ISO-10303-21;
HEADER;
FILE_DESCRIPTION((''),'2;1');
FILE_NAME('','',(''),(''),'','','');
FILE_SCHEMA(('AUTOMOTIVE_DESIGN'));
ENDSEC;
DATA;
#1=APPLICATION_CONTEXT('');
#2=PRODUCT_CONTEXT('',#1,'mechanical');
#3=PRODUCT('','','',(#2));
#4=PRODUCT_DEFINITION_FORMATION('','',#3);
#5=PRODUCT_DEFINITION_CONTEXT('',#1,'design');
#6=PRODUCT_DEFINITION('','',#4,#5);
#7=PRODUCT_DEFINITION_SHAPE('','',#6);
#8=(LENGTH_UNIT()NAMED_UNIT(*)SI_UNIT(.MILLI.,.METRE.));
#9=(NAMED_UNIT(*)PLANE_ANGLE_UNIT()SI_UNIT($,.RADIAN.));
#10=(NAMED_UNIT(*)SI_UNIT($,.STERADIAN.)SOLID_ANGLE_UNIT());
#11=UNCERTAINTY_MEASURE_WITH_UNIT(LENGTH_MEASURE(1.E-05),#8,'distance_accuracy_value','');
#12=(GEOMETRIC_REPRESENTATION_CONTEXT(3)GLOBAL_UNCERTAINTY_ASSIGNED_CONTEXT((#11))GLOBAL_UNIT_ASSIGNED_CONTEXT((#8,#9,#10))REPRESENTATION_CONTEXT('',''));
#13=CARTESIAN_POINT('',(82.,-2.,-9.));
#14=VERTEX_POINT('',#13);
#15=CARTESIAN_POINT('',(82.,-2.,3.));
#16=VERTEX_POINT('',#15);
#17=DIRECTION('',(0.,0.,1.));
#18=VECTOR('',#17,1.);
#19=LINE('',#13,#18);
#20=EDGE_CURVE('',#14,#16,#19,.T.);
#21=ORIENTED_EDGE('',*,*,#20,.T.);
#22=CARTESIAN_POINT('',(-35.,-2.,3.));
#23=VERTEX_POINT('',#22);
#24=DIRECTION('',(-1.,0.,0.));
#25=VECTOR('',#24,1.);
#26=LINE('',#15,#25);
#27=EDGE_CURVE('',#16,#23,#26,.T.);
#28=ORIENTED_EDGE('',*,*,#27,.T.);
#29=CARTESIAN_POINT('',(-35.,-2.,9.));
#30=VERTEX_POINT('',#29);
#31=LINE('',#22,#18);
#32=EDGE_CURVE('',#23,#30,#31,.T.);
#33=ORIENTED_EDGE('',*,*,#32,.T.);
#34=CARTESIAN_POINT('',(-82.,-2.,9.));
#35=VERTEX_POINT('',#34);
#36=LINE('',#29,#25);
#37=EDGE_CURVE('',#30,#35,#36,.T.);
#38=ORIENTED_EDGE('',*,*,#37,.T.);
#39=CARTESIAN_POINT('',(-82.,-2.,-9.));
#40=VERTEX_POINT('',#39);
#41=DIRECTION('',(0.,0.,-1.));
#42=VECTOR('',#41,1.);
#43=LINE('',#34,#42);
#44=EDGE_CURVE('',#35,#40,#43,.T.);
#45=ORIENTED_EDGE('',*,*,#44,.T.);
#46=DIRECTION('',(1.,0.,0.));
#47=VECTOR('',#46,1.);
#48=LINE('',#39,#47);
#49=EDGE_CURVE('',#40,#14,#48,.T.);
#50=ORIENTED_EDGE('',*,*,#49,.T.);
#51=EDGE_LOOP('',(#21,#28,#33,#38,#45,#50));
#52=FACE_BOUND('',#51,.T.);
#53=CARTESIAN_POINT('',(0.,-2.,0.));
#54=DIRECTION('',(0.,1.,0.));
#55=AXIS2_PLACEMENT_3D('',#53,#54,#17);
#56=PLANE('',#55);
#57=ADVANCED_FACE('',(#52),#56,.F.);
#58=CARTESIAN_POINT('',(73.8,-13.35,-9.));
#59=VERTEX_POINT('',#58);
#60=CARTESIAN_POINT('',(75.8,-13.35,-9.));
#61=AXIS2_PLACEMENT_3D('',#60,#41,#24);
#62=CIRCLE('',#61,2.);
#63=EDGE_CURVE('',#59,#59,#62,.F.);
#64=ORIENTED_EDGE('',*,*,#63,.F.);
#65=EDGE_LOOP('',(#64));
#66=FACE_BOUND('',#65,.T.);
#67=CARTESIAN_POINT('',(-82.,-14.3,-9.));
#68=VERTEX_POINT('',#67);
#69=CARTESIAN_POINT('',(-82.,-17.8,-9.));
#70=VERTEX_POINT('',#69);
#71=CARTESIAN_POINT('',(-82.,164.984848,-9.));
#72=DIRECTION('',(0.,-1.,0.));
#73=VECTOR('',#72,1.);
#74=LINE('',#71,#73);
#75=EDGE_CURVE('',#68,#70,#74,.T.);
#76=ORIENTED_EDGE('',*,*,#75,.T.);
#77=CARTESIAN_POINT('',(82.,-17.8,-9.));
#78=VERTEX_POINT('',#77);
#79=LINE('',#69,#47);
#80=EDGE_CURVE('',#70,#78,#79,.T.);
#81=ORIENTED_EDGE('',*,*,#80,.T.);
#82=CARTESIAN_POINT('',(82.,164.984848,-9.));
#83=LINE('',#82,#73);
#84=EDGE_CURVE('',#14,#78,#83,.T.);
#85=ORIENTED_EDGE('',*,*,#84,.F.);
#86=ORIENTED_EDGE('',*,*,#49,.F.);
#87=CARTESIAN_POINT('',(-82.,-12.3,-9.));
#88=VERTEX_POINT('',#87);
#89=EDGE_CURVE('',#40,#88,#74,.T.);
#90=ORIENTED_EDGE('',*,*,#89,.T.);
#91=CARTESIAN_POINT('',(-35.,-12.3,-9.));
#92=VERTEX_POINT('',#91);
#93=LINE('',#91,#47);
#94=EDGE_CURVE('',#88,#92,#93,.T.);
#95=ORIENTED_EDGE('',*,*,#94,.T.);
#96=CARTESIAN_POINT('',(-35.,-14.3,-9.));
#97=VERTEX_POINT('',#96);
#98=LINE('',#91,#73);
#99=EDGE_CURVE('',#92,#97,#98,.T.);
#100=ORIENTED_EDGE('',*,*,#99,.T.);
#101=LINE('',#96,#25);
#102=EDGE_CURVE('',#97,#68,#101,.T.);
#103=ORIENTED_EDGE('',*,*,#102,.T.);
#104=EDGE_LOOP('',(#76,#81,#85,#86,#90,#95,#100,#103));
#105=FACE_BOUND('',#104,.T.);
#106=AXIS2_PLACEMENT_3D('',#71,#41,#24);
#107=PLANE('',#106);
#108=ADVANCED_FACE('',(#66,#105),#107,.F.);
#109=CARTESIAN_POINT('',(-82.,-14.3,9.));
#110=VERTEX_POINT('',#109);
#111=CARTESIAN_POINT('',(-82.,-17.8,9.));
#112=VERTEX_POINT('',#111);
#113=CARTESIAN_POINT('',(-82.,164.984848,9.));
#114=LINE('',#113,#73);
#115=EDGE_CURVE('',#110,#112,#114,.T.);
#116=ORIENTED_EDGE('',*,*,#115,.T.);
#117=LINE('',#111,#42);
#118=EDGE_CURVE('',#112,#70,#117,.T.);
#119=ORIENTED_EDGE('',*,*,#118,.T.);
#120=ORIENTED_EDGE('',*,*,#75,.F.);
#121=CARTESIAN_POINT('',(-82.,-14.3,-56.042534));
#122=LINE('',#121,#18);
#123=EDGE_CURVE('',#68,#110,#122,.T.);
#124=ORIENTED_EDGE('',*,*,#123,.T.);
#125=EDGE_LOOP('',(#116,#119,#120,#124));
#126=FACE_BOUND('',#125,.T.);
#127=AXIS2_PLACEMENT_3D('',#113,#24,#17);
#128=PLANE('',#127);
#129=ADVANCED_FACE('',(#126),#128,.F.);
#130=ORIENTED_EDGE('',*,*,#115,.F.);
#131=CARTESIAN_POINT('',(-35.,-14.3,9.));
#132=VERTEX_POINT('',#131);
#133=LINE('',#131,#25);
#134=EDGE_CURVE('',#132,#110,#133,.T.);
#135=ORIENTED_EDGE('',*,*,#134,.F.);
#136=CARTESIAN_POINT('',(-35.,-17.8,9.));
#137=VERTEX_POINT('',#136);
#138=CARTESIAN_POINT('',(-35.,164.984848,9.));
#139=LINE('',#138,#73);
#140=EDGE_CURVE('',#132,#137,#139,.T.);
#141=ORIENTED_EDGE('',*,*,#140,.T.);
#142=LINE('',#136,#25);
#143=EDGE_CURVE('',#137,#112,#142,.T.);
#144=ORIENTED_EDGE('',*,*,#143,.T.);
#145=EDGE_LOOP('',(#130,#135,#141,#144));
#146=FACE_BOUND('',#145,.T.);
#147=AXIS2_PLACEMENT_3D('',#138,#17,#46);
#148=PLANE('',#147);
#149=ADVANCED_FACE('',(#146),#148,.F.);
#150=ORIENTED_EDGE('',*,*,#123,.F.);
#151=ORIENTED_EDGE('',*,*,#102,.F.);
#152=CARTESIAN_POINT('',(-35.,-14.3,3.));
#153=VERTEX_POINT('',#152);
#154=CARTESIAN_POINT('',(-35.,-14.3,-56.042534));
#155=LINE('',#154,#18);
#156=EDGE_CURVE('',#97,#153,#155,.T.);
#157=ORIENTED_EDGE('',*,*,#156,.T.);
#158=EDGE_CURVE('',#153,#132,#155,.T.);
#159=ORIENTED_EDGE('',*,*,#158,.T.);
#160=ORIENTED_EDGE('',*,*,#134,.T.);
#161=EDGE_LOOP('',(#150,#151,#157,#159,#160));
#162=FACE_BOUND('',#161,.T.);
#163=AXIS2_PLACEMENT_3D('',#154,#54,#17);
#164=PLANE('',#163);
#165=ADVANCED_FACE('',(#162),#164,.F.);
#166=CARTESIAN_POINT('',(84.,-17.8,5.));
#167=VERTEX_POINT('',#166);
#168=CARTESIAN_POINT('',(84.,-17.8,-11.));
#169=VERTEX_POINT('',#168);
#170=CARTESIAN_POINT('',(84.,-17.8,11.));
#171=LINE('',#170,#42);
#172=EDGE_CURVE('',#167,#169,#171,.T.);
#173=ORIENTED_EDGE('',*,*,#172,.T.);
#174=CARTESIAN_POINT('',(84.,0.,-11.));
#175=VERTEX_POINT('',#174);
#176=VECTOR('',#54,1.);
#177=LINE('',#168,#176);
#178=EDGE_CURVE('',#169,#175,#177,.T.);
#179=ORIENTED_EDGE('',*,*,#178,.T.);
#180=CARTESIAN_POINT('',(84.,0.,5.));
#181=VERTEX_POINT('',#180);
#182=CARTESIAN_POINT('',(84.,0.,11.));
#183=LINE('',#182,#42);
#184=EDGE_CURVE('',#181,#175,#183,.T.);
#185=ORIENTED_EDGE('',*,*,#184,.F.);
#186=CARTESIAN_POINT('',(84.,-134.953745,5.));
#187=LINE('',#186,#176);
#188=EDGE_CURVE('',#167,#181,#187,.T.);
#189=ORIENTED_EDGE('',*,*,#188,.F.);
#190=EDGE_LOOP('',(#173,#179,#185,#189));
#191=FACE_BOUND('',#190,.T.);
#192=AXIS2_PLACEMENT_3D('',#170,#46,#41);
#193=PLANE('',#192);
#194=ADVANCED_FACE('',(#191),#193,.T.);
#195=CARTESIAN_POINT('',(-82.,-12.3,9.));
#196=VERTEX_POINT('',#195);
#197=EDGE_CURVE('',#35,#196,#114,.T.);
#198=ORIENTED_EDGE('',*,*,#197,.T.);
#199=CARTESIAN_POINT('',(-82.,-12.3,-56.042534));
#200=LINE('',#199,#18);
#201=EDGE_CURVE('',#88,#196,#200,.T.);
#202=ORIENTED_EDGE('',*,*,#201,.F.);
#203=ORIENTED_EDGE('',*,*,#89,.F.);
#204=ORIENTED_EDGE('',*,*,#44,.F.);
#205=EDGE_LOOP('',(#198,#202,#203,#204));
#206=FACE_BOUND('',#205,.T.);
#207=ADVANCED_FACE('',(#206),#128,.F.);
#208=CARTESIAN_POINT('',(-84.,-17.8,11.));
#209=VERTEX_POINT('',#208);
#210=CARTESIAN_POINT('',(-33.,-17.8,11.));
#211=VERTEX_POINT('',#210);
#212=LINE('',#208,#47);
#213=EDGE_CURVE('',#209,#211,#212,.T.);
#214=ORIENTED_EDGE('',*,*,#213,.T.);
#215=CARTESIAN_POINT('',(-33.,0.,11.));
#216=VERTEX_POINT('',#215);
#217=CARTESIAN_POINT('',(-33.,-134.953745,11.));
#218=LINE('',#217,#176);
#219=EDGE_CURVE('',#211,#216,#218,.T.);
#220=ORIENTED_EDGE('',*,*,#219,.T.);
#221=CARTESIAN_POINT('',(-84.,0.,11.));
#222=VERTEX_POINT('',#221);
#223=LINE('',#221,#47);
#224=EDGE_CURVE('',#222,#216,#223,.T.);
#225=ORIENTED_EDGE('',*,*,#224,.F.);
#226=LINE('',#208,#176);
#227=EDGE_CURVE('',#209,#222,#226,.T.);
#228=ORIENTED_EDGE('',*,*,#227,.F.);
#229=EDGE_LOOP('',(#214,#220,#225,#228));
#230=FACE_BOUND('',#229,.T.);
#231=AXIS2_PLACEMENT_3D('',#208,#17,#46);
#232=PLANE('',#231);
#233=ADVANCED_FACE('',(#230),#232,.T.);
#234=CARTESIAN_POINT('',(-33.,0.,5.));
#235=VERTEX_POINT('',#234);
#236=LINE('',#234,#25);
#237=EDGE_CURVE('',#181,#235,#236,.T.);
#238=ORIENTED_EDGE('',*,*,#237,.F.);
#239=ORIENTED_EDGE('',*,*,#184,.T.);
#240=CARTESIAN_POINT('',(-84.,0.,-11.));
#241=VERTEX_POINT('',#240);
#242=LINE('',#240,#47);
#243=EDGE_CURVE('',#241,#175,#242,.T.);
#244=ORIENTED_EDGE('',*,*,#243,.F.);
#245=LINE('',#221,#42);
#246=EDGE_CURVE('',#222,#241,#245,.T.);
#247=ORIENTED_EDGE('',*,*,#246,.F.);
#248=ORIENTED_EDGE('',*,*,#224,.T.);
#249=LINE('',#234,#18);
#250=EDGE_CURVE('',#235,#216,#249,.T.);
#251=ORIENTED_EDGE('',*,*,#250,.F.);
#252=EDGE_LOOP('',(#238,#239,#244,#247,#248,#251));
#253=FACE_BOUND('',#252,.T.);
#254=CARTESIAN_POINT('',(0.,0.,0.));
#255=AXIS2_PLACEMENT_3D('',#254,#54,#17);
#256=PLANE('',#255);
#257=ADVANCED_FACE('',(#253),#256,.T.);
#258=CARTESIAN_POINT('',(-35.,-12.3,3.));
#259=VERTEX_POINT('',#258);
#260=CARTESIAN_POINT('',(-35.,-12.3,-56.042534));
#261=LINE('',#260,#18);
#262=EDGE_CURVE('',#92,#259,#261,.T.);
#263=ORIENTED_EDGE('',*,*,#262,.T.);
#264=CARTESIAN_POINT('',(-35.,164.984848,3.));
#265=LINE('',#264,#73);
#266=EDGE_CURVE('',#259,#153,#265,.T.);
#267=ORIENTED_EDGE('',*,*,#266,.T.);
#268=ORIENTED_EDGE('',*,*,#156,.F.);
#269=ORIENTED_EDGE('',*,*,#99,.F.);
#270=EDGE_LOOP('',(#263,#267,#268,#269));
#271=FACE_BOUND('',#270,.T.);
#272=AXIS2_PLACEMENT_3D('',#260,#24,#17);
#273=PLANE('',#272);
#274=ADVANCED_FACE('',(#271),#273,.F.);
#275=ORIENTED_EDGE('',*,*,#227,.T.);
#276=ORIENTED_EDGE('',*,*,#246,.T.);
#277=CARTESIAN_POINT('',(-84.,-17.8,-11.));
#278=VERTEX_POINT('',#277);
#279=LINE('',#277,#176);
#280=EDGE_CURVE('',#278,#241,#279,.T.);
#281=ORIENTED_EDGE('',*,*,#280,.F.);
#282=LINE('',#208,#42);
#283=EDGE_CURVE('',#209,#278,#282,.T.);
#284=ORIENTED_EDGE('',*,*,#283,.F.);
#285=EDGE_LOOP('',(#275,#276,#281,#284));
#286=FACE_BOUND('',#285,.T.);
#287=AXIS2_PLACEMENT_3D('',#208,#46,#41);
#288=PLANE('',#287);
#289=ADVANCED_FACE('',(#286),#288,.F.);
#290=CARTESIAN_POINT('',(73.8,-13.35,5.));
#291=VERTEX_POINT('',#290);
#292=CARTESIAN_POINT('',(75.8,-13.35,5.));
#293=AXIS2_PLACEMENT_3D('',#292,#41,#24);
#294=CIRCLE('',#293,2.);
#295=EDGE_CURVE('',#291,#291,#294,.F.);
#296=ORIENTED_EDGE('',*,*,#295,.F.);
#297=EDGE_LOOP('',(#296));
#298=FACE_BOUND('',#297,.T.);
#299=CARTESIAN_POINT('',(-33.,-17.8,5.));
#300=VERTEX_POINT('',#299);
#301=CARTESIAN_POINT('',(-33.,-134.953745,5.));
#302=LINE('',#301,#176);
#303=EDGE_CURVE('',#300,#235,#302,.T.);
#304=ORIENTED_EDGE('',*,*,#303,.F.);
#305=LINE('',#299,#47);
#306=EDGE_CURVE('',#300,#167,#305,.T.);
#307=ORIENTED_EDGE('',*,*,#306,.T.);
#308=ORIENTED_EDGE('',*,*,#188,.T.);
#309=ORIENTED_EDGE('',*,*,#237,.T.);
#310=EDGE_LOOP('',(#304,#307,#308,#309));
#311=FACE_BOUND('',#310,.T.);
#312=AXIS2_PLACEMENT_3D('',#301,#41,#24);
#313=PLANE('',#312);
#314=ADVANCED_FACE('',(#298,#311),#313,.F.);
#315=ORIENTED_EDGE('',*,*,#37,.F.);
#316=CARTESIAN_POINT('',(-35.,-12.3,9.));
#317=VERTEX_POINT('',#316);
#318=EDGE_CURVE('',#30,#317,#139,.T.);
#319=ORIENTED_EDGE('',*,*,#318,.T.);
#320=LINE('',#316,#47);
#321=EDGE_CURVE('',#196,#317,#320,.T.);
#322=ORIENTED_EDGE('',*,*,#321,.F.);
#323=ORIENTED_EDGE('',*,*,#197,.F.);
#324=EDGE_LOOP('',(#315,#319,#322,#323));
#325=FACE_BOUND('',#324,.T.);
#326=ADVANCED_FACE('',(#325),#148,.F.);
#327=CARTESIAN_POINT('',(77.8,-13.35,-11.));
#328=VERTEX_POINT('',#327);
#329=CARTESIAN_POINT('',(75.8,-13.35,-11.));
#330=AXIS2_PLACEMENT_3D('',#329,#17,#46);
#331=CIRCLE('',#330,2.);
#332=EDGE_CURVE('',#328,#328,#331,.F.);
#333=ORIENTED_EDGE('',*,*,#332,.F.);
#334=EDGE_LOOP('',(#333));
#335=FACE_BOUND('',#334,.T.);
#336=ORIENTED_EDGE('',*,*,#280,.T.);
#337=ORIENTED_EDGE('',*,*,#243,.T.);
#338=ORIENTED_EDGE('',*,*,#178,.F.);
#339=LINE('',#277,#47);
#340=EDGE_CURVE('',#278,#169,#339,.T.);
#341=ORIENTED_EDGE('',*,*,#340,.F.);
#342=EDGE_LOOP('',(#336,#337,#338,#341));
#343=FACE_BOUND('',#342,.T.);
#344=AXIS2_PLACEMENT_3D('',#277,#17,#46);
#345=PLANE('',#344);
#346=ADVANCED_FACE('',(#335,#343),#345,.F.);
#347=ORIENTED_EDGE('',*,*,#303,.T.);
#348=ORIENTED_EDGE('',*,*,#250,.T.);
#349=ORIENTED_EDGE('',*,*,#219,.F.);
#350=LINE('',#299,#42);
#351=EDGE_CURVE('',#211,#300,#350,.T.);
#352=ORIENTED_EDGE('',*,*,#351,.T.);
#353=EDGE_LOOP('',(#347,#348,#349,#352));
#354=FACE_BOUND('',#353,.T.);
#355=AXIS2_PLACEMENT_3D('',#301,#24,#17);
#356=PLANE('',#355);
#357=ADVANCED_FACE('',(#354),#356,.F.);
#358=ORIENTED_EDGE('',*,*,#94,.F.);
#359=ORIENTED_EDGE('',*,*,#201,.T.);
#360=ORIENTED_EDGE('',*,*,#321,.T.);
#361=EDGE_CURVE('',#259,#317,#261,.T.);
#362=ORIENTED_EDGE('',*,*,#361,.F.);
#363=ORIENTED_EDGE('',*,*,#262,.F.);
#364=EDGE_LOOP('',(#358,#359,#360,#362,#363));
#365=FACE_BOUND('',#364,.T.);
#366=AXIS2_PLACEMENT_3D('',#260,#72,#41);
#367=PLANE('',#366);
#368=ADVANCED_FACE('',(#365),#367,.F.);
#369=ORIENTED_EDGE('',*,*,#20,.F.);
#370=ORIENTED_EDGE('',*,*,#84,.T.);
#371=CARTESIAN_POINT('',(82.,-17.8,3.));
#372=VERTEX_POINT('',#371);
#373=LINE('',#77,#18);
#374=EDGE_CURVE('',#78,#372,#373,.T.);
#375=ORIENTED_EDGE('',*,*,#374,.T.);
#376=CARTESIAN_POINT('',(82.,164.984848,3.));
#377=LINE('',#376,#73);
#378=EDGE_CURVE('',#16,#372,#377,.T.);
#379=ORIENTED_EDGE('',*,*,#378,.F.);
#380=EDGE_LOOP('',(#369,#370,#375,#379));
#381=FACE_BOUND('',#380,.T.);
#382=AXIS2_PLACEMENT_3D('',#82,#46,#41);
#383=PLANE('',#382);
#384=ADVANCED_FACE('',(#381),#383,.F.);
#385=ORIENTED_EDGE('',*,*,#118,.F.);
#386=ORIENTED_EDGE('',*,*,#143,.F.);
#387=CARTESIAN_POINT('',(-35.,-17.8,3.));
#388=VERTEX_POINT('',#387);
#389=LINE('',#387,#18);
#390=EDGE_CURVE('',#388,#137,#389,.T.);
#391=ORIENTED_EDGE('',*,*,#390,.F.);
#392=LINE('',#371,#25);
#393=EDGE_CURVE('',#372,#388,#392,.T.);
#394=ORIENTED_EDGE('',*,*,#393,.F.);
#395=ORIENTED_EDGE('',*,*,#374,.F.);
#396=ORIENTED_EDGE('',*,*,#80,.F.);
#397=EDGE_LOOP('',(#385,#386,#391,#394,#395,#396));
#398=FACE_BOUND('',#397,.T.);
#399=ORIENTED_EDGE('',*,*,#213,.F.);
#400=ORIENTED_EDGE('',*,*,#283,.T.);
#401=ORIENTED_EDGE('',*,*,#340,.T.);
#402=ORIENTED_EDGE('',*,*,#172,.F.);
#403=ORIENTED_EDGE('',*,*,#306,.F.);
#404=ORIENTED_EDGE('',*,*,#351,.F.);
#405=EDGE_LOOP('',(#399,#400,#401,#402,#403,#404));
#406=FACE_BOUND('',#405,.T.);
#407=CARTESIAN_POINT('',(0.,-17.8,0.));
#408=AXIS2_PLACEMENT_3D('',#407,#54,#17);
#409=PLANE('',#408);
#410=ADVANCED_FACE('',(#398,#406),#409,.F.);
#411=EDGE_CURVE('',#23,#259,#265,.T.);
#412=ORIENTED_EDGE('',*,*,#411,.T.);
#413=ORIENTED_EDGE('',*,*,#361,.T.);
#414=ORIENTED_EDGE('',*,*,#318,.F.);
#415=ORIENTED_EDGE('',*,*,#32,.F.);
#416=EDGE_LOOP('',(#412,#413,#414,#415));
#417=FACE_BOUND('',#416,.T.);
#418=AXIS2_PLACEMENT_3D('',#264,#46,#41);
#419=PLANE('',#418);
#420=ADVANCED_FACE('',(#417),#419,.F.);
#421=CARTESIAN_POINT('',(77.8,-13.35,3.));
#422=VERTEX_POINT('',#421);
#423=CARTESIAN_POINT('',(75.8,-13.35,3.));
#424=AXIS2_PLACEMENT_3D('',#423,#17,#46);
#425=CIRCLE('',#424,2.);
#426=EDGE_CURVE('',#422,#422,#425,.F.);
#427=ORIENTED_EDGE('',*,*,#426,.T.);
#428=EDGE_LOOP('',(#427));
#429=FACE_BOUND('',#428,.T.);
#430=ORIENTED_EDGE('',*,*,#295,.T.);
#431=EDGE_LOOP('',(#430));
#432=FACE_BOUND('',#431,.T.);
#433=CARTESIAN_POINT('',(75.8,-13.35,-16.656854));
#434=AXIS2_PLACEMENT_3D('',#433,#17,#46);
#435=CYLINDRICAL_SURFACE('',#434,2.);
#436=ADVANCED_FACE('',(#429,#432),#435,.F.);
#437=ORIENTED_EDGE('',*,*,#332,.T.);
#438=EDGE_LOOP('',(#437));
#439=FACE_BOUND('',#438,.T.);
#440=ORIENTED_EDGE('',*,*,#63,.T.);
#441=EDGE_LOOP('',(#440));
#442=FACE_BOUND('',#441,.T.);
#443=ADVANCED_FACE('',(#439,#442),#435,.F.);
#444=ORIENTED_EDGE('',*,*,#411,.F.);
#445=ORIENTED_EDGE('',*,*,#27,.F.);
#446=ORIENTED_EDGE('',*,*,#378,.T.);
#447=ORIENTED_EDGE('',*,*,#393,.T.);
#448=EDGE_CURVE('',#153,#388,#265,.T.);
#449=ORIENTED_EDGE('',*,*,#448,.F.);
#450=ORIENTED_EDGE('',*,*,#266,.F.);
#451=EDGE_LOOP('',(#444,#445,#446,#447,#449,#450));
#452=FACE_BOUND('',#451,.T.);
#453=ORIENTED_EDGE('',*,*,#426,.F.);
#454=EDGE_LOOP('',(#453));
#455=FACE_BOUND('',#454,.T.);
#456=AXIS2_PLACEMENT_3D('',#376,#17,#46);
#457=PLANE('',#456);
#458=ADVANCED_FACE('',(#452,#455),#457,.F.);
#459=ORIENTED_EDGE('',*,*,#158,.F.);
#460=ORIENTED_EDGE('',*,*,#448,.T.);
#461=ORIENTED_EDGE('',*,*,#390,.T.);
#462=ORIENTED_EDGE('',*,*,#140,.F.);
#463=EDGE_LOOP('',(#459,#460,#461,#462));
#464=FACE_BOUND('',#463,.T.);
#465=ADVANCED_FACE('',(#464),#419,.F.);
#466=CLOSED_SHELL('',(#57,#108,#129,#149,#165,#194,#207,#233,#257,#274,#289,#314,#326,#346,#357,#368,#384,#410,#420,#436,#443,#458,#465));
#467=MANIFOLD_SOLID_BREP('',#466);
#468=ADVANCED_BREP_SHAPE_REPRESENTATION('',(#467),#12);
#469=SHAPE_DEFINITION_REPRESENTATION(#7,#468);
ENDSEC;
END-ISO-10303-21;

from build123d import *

# Parameters (mm, degrees)
SKETCH1_W           = 168
SKETCH1_H           = 22
BOSS_EXTRUDE1_DEPTH = 17.8
SKETCH8_R           = 2
CUT_EXTRUDE4_DEPTH  = 22
CUT_EXTRUDE2_REACH  = 88.567
SKETCH5_W           = 117
SKETCH5_H           = 6
CUT_EXTRUDE3_DEPTH  = 15.8
BOSS_EXTRUDE2_REACH = 90.164
SKETCH9_W           = 47
SKETCH9_H           = 2


with BuildPart() as part:
    # Sketch1 → Boss-Extrude1 (new body)
    with BuildSketch(Plane(origin=(0, 0, 0), x_dir=(1, 0, 0), z_dir=(0, 1, 0))):
        Rectangle(SKETCH1_W, SKETCH1_H)
    extrude(amount=-BOSS_EXTRUDE1_DEPTH)

    # Sketch8 → Cut-Extrude4 (cut)
    with BuildSketch(Plane.XY.offset(11)):
        with Locations((75.8, -13.35)):
            Circle(SKETCH8_R)
    extrude(amount=-CUT_EXTRUDE4_DEPTH, mode=Mode.SUBTRACT)

    # Cut-Extrude2: up to this face of the body (flat: up to its plane)
    cut_extrude2_end = Plane(part.part.faces().sort_by_distance((0, -17.8, 0))[0])
    # Sketch5 → Cut-Extrude2 (cut, up to the picked face)
    with BuildSketch(Plane(origin=(0, 0, 0), x_dir=(1, 0, 0), z_dir=(0, 1, 0)), mode=Mode.PRIVATE) as cut_extrude2_sk1:
        with Locations((25.5, -8)):
            Rectangle(SKETCH5_W, SKETCH5_H)
    cut_extrude2_tool1 = split(extrude(cut_extrude2_sk1.sketch, amount=-CUT_EXTRUDE2_REACH, mode=Mode.PRIVATE), bisect_by=cut_extrude2_end, keep=Keep.BOTH, mode=Mode.PRIVATE)
    add(cut_extrude2_tool1.solids().sort_by(Axis((25.5, 0, 8), (0, -1, 0)))[0], mode=Mode.SUBTRACT)

    # Sketch6 → Cut-Extrude3 (cut)
    with BuildSketch(Plane.XZ.offset(17.8)):
        Polygon((-82, 9), (-82, -9), (82, -9), (82, 3), (-35, 3), (-35, 9), align=None)
    extrude(amount=-CUT_EXTRUDE3_DEPTH, mode=Mode.SUBTRACT)

    # Boss-Extrude2: up to this face of the body (flat: up to its plane)
    boss_extrude2_end = Plane(part.part.faces().sort_by_distance((-0.369393652, -9.883187228, -9))[0])
    # Sketch9 → Boss-Extrude2 (add, up to the picked face)
    with BuildSketch(Plane(origin=(0, 0, 9), x_dir=(-1, 0, 0), z_dir=(0, 0, -1)), mode=Mode.PRIVATE) as boss_extrude2_sk1:
        with Locations((58.5, -13.3)):
            Rectangle(SKETCH9_W, SKETCH9_H)
    boss_extrude2_tool1 = split(extrude(boss_extrude2_sk1.sketch, amount=BOSS_EXTRUDE2_REACH, mode=Mode.PRIVATE), bisect_by=boss_extrude2_end, keep=Keep.BOTH, mode=Mode.PRIVATE)
    add(boss_extrude2_tool1.solids().sort_by(Axis((-58.5, -13.3, 9), (0, 0, -1)))[0])


solid = part.part
